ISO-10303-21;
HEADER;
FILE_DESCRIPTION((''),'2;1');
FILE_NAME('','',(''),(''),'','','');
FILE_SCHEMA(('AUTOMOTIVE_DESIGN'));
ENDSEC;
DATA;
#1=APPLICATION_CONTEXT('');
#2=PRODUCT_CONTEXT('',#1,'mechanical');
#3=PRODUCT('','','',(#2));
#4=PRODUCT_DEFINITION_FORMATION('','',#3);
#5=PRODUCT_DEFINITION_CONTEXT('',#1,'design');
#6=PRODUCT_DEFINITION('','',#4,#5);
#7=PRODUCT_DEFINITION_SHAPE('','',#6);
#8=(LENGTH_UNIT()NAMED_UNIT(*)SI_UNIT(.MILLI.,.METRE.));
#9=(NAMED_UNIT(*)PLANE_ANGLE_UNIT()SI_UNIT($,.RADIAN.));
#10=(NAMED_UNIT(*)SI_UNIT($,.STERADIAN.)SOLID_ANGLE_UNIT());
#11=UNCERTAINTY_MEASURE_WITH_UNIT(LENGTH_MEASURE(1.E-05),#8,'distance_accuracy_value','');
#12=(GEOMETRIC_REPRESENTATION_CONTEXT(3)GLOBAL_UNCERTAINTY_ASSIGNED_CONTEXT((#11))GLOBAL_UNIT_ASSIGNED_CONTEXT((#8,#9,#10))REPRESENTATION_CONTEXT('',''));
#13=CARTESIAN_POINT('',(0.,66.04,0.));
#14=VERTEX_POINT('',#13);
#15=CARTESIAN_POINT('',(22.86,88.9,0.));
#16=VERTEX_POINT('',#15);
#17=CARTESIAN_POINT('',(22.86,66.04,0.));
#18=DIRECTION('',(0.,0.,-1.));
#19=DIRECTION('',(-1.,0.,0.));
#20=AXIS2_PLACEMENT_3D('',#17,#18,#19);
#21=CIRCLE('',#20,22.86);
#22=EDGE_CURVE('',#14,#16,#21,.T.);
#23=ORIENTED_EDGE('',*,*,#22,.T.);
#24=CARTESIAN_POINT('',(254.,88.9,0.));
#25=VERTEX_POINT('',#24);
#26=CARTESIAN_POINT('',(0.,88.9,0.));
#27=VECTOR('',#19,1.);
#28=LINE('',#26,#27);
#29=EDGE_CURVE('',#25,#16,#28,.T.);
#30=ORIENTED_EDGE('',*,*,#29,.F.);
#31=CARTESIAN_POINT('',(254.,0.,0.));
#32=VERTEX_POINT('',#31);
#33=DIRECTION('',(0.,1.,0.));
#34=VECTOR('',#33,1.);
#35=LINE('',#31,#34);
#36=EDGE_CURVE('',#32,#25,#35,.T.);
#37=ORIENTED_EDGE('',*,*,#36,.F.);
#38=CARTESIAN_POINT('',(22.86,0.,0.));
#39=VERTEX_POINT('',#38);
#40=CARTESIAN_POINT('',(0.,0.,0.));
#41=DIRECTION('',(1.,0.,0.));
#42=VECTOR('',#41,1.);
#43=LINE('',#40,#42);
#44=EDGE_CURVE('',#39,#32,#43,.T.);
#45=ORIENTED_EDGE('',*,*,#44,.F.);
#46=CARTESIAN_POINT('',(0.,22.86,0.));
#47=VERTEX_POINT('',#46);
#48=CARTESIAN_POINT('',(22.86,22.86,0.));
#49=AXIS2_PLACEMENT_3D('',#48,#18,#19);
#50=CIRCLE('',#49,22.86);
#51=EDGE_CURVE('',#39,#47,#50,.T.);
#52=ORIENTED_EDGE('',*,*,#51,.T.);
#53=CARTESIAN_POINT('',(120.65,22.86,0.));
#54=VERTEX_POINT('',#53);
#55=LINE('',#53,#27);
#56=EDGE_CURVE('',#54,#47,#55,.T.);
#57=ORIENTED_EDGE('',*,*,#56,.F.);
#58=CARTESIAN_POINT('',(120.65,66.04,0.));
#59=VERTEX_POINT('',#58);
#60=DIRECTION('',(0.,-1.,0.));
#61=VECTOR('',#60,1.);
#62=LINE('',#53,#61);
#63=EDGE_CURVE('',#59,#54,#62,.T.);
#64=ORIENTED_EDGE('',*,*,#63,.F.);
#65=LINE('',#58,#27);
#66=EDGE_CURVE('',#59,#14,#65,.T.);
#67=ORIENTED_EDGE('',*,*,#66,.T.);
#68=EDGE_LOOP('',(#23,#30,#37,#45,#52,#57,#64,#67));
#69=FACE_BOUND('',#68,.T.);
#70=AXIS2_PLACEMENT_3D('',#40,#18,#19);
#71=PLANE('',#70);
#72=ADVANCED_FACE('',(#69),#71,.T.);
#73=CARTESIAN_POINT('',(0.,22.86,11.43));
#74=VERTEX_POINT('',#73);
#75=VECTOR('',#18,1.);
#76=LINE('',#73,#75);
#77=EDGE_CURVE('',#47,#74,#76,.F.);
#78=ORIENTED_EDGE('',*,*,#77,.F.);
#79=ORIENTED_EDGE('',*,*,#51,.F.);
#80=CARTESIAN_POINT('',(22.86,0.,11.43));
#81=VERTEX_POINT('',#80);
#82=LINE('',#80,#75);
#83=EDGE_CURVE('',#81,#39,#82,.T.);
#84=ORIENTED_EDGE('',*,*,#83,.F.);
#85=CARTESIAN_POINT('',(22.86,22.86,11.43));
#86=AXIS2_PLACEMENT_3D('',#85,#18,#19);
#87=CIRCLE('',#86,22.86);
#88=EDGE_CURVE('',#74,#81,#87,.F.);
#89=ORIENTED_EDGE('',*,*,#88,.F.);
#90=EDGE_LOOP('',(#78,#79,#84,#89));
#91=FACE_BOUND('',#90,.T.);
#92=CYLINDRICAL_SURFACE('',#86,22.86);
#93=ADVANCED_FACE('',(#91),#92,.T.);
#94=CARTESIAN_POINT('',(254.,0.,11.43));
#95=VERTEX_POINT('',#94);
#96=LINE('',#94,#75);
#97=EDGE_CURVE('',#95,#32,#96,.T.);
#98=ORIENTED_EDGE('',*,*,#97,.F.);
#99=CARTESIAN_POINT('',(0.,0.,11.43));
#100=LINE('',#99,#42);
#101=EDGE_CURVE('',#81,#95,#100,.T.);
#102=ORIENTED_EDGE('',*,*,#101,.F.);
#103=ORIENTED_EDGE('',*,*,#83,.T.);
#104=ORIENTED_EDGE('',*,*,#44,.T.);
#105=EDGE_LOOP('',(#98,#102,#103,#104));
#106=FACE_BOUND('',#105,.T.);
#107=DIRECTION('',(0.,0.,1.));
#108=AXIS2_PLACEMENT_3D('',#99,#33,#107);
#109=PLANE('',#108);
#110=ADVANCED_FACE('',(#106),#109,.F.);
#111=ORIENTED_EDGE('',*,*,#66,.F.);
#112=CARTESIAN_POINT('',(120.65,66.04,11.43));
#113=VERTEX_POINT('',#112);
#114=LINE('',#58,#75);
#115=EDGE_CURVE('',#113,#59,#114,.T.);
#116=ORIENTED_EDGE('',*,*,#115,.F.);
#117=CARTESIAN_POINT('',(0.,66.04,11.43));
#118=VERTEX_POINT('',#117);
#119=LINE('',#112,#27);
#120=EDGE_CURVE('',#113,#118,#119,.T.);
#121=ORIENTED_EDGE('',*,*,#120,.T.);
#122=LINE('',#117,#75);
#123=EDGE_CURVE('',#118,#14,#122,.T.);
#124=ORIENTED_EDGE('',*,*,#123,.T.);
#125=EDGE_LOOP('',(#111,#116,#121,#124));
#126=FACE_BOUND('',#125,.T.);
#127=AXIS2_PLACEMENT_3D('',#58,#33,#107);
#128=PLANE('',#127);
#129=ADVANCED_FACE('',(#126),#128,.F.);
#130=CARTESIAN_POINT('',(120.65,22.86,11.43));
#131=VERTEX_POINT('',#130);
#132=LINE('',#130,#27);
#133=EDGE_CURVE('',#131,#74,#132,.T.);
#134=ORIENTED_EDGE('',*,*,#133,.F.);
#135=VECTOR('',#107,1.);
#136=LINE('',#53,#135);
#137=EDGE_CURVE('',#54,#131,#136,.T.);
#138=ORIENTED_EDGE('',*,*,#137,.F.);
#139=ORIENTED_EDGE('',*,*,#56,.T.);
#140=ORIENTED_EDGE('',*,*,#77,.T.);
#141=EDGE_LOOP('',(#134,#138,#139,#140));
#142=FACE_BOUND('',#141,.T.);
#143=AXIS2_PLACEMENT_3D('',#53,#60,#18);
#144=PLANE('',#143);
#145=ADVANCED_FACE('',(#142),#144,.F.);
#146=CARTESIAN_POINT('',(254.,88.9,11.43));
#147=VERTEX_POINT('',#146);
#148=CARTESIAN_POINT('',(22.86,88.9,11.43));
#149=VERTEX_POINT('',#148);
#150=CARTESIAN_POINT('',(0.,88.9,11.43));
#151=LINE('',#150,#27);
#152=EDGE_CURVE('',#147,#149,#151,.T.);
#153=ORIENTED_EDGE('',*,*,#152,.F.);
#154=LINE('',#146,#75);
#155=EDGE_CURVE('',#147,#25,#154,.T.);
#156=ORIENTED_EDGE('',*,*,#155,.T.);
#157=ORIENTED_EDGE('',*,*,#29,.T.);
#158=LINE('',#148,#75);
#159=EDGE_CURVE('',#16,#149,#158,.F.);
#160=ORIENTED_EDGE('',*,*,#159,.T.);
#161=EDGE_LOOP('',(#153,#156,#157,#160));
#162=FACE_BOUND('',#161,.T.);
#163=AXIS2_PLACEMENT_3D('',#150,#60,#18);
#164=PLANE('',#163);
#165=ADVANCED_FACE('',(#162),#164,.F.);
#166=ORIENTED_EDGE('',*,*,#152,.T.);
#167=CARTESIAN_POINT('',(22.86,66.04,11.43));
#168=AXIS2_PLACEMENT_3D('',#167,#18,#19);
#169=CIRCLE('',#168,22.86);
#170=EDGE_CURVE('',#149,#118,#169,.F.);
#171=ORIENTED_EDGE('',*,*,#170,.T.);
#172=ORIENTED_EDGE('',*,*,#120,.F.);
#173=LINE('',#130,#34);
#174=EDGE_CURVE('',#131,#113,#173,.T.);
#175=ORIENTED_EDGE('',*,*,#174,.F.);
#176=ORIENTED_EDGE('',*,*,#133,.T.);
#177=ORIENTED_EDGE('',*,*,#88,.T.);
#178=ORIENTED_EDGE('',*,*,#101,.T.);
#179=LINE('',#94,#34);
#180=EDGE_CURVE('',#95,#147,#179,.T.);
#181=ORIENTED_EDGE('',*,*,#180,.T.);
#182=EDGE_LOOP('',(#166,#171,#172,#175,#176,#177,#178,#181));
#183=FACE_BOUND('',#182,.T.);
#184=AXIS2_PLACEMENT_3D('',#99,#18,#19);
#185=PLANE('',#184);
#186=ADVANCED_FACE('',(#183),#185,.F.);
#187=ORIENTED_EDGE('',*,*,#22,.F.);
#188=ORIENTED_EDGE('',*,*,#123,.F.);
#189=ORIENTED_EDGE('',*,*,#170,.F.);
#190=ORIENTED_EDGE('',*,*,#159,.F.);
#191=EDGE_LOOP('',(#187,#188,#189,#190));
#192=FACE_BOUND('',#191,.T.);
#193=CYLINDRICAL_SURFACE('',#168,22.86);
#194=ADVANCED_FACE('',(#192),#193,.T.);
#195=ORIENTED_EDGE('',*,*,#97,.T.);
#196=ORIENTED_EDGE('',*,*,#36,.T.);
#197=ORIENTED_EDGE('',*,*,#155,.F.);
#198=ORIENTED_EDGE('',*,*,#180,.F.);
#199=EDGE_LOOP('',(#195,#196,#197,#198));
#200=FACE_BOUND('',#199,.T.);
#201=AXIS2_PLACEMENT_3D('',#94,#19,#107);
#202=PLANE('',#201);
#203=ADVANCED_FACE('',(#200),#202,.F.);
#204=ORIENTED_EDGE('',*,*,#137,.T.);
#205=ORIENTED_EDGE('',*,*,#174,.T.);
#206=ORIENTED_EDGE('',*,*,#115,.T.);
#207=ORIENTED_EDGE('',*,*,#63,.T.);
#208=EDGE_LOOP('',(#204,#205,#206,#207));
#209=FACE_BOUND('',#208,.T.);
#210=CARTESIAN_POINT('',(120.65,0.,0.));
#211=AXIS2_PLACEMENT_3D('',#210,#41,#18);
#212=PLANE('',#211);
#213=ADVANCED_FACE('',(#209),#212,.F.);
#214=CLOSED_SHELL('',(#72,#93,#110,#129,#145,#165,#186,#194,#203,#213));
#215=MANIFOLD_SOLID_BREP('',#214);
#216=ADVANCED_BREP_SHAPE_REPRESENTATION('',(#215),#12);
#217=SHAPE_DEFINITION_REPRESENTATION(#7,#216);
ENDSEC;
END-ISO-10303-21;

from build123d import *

# Parameters (mm, degrees)
SKETCH1_W           = 254
SKETCH1_H           = 88.9
BOSS_EXTRUDE1_DEPTH = 11.43
FILLET1_R           = 22.86
FILLET2_R           = 22.86
SKETCH2_W           = 11.43
SKETCH2_H           = 43.18
CUT_EXTRUDE1_DEPTH  = 120.65


with BuildPart() as part:
    # Sketch1 → Boss-Extrude1 (new body)
    with BuildSketch(Plane.XY):
        with Locations((127, 44.45)):
            Rectangle(SKETCH1_W, SKETCH1_H)
    extrude(amount=BOSS_EXTRUDE1_DEPTH)

    # Fillet1
    fillet1_edges = [part.edges().sort_by_distance(p)[0] for p in [
        (0, 88.9, 5.715),
    ]]
    fillet(fillet1_edges, radius=FILLET1_R)

    # Fillet2
    fillet2_edges = [part.edges().sort_by_distance(p)[0] for p in [
        (0, 0, 5.715),
    ]]
    fillet(fillet2_edges, radius=FILLET2_R)

    # Sketch2 → Cut-Extrude1 (cut)
    with BuildSketch(Plane.ZY):
        with Locations((5.715, 44.45)):
            Rectangle(SKETCH2_W, SKETCH2_H)
    extrude(amount=-CUT_EXTRUDE1_DEPTH, mode=Mode.SUBTRACT)


solid = part.part
